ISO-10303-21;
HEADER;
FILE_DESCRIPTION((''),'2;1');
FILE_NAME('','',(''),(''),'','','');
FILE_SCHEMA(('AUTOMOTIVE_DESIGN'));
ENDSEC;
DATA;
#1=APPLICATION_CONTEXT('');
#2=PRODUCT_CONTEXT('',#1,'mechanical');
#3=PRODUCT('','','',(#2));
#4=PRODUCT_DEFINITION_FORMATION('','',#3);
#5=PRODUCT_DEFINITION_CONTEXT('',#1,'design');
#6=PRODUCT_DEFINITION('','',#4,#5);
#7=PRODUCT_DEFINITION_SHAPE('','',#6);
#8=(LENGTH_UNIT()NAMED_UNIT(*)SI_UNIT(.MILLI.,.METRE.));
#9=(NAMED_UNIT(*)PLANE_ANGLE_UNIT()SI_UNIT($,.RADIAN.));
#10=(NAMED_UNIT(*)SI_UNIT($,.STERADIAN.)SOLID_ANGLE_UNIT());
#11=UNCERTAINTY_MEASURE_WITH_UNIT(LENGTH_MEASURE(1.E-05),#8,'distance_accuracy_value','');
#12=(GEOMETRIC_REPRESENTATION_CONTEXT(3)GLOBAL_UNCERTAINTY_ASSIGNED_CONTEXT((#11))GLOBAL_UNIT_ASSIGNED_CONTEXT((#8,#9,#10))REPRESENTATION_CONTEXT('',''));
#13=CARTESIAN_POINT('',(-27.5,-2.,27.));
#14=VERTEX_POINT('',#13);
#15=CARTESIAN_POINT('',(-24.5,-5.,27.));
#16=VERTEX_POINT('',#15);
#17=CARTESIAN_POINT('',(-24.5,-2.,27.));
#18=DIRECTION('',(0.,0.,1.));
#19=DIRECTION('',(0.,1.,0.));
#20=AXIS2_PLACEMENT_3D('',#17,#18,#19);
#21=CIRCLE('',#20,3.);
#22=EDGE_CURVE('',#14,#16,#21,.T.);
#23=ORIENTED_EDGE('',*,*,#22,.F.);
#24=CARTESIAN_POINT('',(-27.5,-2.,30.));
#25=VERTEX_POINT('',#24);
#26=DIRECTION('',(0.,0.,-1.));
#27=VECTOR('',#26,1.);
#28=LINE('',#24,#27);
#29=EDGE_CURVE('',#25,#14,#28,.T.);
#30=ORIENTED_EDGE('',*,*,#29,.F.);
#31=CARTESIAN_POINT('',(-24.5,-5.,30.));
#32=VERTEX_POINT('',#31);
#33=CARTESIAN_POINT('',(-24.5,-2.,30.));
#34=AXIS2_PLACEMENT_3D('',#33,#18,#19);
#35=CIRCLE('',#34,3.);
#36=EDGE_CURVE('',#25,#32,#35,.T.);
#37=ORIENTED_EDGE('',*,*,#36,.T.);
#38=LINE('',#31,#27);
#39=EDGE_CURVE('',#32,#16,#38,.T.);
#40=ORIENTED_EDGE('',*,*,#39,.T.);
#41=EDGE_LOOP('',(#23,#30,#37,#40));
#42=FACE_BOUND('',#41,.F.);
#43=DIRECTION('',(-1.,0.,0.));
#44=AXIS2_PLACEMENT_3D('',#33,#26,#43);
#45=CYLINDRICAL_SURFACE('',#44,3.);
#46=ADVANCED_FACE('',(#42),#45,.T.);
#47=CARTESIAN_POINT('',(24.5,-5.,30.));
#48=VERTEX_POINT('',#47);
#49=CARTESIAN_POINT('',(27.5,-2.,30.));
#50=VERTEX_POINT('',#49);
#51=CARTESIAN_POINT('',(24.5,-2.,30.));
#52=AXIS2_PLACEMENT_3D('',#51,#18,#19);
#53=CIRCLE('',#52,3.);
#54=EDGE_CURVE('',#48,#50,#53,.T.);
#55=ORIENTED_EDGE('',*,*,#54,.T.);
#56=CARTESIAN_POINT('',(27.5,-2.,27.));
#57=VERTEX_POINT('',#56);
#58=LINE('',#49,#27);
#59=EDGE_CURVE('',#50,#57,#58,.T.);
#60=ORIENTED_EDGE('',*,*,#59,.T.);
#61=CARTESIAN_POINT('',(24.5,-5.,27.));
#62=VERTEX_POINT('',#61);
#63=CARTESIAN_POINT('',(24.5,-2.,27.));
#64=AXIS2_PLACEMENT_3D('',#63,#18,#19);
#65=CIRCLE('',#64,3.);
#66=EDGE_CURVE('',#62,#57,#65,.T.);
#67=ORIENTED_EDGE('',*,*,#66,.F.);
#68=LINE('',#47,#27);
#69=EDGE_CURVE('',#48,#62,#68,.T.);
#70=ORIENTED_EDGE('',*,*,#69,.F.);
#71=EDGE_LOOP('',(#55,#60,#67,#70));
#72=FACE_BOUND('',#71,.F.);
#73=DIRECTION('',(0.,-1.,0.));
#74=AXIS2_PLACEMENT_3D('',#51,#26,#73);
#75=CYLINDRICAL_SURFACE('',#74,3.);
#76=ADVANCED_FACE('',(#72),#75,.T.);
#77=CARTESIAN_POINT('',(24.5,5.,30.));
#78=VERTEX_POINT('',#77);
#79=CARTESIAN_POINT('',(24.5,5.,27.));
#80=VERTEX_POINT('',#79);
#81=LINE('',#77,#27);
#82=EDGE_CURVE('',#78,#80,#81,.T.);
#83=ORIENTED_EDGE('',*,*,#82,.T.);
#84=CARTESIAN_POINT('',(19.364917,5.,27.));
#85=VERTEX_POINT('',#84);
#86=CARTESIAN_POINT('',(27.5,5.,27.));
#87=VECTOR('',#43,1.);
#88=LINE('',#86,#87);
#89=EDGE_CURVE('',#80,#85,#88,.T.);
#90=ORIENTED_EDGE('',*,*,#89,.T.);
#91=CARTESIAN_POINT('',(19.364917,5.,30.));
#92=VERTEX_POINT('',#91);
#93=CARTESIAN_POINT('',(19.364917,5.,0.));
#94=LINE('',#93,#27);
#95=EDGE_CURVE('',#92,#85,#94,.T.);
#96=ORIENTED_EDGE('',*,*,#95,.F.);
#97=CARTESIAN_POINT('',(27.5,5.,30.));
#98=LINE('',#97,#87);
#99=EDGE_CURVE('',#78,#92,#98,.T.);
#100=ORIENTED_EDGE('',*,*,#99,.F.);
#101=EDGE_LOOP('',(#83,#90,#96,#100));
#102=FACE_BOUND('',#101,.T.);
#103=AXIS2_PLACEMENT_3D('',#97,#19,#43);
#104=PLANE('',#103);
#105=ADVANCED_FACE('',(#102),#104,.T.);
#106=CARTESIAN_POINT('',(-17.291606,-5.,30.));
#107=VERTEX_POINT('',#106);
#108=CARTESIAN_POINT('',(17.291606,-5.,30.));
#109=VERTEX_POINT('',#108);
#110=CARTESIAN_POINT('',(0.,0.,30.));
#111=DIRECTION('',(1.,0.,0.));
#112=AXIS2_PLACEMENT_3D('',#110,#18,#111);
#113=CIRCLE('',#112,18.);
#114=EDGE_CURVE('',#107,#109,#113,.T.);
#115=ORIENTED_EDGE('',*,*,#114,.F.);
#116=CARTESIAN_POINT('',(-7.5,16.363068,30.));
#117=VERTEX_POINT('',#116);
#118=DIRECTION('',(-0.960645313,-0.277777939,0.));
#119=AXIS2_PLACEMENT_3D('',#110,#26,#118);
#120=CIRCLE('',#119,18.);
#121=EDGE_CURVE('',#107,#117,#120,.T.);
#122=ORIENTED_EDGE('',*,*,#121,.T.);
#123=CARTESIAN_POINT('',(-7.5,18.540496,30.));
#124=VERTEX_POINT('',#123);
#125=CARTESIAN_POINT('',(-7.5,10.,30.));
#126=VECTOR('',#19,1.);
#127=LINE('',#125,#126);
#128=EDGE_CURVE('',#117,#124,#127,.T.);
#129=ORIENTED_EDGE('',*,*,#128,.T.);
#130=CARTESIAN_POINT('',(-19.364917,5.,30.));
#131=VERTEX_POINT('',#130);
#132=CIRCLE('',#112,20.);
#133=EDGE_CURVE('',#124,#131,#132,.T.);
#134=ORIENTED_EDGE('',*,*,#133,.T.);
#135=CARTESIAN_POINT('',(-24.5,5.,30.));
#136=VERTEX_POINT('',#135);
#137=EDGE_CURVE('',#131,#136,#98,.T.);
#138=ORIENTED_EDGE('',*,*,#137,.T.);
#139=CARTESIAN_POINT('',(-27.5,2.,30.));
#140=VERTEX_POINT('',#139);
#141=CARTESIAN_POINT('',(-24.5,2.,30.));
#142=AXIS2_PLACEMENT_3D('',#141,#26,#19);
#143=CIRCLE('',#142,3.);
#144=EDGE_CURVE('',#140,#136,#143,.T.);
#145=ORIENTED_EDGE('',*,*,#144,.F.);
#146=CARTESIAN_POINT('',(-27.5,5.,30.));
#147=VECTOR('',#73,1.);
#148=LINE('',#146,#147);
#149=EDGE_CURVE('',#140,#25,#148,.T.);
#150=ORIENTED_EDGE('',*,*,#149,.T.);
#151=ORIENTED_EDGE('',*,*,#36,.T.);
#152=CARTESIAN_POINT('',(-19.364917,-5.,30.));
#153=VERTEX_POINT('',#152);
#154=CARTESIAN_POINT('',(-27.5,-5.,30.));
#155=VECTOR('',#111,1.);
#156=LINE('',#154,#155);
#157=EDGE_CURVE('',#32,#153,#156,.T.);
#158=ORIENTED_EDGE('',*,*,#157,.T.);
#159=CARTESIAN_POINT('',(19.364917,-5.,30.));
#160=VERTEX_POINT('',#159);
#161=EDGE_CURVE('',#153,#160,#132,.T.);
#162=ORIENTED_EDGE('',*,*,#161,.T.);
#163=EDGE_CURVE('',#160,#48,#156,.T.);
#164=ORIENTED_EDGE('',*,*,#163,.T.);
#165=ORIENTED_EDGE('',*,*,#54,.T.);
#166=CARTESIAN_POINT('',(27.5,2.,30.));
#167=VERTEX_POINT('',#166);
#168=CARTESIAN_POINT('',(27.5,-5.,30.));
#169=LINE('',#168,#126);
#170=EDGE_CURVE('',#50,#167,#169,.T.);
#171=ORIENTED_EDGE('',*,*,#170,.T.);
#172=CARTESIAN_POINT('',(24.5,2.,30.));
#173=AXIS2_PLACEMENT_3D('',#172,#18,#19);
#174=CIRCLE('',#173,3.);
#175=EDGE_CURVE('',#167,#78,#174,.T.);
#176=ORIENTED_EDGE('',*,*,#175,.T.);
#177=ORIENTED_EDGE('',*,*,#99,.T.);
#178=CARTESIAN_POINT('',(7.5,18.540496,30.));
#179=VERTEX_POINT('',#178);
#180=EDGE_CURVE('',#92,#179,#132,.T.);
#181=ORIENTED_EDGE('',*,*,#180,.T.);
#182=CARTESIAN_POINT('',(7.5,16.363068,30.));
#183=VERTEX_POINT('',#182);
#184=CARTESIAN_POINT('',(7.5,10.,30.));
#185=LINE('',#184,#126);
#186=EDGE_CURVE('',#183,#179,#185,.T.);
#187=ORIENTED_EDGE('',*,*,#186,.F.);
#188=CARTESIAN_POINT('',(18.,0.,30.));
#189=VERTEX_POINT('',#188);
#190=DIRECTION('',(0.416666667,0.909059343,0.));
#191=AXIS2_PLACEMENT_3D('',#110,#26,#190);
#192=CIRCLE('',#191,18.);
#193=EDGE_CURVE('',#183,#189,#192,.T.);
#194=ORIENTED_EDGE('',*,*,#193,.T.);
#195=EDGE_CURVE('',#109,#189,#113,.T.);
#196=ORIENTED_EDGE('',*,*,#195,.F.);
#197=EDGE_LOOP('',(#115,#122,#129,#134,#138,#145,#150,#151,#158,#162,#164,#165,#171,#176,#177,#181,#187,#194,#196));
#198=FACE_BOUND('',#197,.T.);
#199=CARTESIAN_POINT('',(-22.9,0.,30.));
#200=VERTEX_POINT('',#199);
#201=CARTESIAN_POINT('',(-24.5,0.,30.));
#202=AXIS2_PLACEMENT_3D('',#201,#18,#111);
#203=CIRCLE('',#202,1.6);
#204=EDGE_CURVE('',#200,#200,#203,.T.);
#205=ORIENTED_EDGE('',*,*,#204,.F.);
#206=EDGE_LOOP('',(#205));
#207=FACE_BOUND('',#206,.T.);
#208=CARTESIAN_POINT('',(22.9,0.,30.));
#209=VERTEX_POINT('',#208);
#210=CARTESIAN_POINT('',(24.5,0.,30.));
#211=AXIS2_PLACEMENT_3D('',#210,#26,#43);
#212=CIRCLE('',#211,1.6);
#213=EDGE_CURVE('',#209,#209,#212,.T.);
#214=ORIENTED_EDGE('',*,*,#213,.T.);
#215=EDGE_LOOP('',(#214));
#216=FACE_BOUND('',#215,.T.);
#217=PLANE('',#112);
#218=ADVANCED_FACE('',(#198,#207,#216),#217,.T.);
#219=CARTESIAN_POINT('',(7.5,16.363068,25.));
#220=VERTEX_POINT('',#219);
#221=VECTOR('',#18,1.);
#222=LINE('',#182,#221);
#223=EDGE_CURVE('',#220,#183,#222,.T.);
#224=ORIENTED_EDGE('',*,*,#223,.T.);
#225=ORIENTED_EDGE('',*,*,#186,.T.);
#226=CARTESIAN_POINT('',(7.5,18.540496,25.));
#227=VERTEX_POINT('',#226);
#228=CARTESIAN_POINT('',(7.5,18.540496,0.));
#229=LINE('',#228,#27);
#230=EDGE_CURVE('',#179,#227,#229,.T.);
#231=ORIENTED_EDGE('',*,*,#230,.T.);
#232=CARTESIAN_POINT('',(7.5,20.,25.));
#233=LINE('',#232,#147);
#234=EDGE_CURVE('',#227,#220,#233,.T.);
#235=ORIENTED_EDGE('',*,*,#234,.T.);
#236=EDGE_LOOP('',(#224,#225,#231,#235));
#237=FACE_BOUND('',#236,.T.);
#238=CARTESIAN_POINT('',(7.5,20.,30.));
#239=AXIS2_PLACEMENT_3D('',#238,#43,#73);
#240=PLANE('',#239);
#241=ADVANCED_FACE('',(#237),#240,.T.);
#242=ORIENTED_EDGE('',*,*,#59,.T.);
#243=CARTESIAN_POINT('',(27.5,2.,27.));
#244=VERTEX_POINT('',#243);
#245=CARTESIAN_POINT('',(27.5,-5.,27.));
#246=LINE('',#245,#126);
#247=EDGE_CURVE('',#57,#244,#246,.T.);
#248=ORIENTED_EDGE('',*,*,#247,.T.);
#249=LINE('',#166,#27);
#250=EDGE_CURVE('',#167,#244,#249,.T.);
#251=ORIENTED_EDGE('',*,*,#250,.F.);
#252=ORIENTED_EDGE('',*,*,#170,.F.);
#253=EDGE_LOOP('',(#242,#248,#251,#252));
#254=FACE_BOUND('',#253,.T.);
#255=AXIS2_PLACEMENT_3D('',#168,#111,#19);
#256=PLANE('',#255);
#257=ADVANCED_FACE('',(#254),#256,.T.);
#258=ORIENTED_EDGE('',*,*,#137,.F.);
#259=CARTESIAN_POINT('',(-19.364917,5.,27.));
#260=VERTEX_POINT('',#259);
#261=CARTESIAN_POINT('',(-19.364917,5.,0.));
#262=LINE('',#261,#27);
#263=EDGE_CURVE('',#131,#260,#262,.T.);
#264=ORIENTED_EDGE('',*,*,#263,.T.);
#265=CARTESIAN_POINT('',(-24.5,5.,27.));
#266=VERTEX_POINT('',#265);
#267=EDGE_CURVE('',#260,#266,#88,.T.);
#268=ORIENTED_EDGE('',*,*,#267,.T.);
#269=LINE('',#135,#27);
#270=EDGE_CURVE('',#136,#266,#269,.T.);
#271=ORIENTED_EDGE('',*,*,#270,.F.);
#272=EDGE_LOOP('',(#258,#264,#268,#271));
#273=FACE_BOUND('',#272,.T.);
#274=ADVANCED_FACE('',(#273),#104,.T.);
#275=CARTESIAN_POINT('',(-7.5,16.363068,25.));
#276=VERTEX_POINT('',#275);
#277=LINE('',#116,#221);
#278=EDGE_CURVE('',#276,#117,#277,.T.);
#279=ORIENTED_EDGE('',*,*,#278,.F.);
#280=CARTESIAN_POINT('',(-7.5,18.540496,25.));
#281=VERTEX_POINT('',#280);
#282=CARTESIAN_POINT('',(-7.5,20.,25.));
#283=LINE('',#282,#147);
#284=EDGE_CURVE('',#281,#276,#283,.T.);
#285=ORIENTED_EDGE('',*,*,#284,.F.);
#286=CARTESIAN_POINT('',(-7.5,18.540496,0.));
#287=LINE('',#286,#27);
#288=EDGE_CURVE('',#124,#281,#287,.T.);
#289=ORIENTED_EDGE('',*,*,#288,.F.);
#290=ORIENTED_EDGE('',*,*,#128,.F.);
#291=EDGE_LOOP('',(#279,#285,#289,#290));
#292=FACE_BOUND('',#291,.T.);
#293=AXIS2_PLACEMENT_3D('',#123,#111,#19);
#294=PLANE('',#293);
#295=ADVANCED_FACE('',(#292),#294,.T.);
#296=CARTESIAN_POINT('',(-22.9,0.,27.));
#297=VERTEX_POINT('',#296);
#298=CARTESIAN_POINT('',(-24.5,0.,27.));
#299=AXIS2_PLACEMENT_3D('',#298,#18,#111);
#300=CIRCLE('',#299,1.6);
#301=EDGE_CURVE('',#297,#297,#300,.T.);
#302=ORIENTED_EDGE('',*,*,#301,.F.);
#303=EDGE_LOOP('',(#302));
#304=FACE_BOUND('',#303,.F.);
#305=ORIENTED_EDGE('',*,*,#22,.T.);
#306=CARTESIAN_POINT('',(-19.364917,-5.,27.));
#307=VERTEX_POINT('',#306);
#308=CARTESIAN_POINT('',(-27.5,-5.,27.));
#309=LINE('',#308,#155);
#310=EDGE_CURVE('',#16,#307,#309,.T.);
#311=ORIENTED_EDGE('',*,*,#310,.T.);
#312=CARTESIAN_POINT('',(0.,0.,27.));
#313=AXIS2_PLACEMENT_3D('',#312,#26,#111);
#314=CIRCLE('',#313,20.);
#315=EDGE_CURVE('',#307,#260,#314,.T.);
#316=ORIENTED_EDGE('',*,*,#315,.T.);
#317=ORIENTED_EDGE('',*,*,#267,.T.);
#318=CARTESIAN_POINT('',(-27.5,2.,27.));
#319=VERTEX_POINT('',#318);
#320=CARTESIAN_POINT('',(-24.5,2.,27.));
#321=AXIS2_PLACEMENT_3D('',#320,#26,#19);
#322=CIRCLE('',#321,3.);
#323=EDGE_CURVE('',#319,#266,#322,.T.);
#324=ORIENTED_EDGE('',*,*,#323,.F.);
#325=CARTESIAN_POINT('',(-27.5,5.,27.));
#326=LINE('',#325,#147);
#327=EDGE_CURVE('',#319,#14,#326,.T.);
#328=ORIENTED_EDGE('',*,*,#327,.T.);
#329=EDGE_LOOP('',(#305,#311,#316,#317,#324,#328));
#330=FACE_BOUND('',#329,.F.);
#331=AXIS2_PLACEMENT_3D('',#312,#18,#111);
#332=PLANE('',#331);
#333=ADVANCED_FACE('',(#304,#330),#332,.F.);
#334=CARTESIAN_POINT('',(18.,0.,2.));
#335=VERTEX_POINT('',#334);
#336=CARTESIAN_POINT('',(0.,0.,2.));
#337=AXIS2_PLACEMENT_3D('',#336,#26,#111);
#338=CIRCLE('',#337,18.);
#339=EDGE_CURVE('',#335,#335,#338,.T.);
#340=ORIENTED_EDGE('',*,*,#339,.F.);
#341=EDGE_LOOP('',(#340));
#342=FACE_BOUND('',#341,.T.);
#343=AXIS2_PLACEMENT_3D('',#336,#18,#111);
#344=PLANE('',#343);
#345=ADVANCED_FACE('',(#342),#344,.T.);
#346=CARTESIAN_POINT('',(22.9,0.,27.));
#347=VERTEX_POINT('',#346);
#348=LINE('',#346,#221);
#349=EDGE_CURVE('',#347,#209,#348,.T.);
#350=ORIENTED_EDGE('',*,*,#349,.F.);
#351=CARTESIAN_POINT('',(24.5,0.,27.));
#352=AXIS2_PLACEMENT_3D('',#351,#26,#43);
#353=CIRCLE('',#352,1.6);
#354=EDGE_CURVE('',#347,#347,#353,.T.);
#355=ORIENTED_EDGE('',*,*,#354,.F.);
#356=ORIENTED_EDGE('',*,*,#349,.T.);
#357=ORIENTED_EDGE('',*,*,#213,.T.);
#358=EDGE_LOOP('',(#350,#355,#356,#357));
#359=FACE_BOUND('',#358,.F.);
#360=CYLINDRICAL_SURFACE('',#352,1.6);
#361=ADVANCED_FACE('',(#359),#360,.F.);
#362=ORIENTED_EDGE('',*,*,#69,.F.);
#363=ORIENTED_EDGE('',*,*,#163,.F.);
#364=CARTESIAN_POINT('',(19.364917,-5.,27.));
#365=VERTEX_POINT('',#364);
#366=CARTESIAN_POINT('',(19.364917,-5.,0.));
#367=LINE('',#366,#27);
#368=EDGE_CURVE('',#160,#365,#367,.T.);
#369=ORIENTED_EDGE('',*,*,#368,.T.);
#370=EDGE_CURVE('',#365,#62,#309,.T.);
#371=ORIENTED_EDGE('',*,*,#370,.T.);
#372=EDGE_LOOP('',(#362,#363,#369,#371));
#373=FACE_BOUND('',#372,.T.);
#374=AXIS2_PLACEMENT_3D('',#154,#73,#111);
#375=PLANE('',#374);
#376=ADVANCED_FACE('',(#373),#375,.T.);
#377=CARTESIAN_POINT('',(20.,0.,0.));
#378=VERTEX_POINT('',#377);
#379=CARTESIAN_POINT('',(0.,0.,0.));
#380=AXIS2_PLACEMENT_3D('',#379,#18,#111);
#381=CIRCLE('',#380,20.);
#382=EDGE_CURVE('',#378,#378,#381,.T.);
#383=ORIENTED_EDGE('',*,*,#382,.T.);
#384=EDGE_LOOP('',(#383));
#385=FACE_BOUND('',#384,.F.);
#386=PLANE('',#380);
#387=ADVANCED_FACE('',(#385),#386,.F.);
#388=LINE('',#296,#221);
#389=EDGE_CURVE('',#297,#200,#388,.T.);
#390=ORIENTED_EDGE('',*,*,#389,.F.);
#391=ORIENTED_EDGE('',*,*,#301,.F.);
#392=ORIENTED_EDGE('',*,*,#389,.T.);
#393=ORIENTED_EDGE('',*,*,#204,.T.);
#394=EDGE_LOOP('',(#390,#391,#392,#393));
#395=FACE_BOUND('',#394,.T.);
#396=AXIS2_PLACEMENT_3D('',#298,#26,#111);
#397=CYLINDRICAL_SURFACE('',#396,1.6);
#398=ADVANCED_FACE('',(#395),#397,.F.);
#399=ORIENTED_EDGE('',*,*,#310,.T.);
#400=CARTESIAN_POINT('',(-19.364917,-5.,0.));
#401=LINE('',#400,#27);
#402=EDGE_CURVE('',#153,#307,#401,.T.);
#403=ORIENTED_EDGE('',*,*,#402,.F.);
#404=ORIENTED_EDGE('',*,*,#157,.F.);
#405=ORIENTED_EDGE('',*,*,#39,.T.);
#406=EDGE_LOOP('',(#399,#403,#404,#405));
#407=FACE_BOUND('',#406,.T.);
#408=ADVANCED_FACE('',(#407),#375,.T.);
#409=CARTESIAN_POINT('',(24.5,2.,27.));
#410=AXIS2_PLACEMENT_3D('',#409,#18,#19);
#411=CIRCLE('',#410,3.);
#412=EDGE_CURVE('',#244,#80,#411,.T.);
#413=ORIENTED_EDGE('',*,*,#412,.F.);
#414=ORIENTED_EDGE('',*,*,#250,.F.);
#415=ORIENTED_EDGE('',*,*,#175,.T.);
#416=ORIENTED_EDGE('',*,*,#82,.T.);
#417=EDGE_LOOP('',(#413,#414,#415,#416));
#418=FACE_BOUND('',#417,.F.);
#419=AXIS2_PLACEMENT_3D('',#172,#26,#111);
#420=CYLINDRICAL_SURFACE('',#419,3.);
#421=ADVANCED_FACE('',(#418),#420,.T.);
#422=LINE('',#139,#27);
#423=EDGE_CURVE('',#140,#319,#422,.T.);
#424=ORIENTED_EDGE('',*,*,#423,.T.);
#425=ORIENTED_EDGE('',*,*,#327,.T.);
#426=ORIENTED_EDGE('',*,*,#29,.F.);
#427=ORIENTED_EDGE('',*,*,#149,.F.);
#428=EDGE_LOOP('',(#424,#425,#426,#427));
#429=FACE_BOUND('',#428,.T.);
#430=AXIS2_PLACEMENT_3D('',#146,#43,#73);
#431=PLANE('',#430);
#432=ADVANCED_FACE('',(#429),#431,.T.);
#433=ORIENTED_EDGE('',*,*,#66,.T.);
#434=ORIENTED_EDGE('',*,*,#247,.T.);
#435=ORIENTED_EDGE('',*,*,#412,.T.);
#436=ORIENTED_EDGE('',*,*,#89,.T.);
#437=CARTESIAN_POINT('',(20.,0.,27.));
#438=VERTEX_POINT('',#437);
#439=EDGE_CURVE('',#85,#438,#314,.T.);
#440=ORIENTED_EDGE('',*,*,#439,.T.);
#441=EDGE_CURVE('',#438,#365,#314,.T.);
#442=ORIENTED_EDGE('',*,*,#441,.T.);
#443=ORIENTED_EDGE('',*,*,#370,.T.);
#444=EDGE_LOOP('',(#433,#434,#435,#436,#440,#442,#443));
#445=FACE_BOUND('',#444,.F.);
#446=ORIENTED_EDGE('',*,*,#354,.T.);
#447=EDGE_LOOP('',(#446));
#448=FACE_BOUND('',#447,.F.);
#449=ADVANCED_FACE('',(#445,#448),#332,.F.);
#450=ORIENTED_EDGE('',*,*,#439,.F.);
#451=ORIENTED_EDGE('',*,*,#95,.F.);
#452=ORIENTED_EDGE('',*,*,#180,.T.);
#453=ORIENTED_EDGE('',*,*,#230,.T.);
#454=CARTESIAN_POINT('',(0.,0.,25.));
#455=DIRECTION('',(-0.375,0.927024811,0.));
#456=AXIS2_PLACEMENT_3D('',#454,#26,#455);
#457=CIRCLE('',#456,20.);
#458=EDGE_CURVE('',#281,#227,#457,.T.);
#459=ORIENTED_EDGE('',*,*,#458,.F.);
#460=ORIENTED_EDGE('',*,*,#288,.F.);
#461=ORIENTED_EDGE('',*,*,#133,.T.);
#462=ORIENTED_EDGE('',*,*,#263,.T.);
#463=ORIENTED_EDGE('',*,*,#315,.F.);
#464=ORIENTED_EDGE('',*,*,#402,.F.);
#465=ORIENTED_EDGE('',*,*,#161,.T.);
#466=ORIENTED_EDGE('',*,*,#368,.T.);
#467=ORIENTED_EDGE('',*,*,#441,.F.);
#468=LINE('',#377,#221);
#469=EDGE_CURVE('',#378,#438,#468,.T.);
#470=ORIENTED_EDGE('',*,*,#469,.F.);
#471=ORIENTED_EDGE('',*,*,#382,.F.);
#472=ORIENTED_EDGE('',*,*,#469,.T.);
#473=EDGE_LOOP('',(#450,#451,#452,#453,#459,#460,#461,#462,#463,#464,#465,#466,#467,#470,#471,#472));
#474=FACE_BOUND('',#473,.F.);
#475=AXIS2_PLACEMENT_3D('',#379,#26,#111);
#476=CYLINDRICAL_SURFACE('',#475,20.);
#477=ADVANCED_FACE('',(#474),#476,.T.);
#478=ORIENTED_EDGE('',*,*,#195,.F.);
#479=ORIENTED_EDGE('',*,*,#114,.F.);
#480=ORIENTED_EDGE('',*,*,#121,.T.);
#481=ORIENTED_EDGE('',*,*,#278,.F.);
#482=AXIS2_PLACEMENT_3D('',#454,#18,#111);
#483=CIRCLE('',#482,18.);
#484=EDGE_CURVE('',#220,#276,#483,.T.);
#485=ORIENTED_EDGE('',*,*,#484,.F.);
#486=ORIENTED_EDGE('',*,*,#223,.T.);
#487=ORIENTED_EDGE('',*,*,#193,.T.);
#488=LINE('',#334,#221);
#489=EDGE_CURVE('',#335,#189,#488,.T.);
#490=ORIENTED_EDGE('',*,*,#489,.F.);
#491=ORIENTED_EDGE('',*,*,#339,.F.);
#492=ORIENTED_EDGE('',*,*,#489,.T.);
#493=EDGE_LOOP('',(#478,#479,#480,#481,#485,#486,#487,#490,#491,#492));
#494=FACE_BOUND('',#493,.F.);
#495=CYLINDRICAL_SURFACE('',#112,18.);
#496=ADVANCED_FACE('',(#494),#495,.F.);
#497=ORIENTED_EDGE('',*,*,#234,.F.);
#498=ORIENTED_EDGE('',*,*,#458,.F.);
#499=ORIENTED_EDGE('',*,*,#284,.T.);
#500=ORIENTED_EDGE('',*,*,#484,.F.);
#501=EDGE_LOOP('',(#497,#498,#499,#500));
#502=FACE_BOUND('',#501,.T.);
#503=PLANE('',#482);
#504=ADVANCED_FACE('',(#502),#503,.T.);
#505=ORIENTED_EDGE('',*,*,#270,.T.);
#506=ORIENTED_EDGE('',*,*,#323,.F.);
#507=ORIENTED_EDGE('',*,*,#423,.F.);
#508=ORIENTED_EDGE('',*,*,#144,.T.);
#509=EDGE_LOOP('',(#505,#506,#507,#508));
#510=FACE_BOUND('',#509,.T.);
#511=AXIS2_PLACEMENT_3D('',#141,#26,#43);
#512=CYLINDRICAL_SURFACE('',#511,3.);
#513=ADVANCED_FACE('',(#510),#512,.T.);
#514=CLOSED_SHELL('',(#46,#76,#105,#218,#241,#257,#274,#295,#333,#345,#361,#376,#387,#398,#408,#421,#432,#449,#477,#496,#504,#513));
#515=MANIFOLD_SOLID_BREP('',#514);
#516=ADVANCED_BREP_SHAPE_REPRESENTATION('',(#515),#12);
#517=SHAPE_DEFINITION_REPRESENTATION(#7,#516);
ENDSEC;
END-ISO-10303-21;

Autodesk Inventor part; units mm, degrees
ref_plane "YZ Plane" through (0, 0, 0) normal (1, 0, 0) x (0, 1, 0)
ref_plane "XZ Plane" through (0, 0, 0) normal (0, 1, 0) x (-1, 0, 0)
ref_plane "XY Plane" through (0, 0, 0) normal (0, 0, 1) x (1, 0, 0)
sketch "草圖1" plane through (0, 0, 0) normal (0, 0, 1) x (1, 0, 0)
  circle A0 centre (0, 0) radius 20
  dimension "d0" = 40
extrude "擠出1" add sketch "草圖1" along normal blind 30
sketch "草圖2" plane through (0, 0, 30) normal (0, 0, 1) x (1, 0, 0)
  circle A0 centre (0, 0) radius 18
  circle A1 centre (0, 0) radius 20 projected
  dimension "d3" = 2
extrude "擠出2" cut sketch "草圖2" against normal blind 28 contours A0
sketch "草圖3" plane through (0, 0, 30) normal (0, 0, 1) x (1, 0, 0)
  line L0 (-7.5, 20) -> (7.5, 20)
  line L1 (7.5, 20) -> (7.5, 10)
  line L2 (7.5, 10) -> (-7.5, 10)
  line L3 (-7.5, 10) -> (-7.5, 20)
  circle A0 centre (0, 0) radius 20 projected
  point P0 (0, 20)
  dimension "d6" = 15
  dimension "d7" = 10
extrude "擠出3" cut sketch "草圖3" against normal blind 5 contours L0 A0 L3 | L0 L1 A0 | A0 L1 L2 L3 picked at (0, 13.3333)
sketch "草圖4" plane through (0, 0, 30) normal (0, 0, 1) x (1, 0, 0)
  line L0 (-27.5, -5) -> (27.5, -5)
  line L1 (27.5, -5) -> (27.5, 5)
  line L2 (27.5, 5) -> (-27.5, 5)
  line L3 (-27.5, 5) -> (-27.5, -5)
  point P0 (0, 0)
  point P1 (0, -5)
  point P2 (-27.5, 0)
  dimension "d10" = 10
  dimension "d11" = 55
extrude "擠出4" add sketch "草圖4" against normal blind 3
sketch "草圖5" plane through (0, 0, 30) normal (0, 0, 1) x (1, 0, 0)
  circle A0 centre (0, 0) radius 18
  arc A1 (-17.2916, -5) -> (17.2916, -5) centre (0, 0) ccw projected
  dimension "d14" = 0
extrude "擠出5" cut sketch "草圖5" against normal up to surface (28 mm away)
sketch "草圖6" plane through (0, 0, 27) normal (0, 0, -1) x (-1, 0, 0)
  circle A0 centre (-24.5, 0) radius 1.6
  line L0 (-27.5, 5) -> (-27.5, -5) projected
  point P0 (0, 0)
  dimension "d17" = 3.2
  dimension "d18" = 3
extrude "擠出6" cut sketch "草圖6" against normal up to surface (3 mm away)
mirror "鏡射1" about plane through (0, 0, 0) normal (1, 0, 0) of "擠出6"
fillet "圓角1" radius 3 4 edges at (27.5, 5, 28.5) (27.5, -5, 28.5) (-27.5, 5, 28.5) (-27.5, -5, 28.5)
properties part number "音箱"
